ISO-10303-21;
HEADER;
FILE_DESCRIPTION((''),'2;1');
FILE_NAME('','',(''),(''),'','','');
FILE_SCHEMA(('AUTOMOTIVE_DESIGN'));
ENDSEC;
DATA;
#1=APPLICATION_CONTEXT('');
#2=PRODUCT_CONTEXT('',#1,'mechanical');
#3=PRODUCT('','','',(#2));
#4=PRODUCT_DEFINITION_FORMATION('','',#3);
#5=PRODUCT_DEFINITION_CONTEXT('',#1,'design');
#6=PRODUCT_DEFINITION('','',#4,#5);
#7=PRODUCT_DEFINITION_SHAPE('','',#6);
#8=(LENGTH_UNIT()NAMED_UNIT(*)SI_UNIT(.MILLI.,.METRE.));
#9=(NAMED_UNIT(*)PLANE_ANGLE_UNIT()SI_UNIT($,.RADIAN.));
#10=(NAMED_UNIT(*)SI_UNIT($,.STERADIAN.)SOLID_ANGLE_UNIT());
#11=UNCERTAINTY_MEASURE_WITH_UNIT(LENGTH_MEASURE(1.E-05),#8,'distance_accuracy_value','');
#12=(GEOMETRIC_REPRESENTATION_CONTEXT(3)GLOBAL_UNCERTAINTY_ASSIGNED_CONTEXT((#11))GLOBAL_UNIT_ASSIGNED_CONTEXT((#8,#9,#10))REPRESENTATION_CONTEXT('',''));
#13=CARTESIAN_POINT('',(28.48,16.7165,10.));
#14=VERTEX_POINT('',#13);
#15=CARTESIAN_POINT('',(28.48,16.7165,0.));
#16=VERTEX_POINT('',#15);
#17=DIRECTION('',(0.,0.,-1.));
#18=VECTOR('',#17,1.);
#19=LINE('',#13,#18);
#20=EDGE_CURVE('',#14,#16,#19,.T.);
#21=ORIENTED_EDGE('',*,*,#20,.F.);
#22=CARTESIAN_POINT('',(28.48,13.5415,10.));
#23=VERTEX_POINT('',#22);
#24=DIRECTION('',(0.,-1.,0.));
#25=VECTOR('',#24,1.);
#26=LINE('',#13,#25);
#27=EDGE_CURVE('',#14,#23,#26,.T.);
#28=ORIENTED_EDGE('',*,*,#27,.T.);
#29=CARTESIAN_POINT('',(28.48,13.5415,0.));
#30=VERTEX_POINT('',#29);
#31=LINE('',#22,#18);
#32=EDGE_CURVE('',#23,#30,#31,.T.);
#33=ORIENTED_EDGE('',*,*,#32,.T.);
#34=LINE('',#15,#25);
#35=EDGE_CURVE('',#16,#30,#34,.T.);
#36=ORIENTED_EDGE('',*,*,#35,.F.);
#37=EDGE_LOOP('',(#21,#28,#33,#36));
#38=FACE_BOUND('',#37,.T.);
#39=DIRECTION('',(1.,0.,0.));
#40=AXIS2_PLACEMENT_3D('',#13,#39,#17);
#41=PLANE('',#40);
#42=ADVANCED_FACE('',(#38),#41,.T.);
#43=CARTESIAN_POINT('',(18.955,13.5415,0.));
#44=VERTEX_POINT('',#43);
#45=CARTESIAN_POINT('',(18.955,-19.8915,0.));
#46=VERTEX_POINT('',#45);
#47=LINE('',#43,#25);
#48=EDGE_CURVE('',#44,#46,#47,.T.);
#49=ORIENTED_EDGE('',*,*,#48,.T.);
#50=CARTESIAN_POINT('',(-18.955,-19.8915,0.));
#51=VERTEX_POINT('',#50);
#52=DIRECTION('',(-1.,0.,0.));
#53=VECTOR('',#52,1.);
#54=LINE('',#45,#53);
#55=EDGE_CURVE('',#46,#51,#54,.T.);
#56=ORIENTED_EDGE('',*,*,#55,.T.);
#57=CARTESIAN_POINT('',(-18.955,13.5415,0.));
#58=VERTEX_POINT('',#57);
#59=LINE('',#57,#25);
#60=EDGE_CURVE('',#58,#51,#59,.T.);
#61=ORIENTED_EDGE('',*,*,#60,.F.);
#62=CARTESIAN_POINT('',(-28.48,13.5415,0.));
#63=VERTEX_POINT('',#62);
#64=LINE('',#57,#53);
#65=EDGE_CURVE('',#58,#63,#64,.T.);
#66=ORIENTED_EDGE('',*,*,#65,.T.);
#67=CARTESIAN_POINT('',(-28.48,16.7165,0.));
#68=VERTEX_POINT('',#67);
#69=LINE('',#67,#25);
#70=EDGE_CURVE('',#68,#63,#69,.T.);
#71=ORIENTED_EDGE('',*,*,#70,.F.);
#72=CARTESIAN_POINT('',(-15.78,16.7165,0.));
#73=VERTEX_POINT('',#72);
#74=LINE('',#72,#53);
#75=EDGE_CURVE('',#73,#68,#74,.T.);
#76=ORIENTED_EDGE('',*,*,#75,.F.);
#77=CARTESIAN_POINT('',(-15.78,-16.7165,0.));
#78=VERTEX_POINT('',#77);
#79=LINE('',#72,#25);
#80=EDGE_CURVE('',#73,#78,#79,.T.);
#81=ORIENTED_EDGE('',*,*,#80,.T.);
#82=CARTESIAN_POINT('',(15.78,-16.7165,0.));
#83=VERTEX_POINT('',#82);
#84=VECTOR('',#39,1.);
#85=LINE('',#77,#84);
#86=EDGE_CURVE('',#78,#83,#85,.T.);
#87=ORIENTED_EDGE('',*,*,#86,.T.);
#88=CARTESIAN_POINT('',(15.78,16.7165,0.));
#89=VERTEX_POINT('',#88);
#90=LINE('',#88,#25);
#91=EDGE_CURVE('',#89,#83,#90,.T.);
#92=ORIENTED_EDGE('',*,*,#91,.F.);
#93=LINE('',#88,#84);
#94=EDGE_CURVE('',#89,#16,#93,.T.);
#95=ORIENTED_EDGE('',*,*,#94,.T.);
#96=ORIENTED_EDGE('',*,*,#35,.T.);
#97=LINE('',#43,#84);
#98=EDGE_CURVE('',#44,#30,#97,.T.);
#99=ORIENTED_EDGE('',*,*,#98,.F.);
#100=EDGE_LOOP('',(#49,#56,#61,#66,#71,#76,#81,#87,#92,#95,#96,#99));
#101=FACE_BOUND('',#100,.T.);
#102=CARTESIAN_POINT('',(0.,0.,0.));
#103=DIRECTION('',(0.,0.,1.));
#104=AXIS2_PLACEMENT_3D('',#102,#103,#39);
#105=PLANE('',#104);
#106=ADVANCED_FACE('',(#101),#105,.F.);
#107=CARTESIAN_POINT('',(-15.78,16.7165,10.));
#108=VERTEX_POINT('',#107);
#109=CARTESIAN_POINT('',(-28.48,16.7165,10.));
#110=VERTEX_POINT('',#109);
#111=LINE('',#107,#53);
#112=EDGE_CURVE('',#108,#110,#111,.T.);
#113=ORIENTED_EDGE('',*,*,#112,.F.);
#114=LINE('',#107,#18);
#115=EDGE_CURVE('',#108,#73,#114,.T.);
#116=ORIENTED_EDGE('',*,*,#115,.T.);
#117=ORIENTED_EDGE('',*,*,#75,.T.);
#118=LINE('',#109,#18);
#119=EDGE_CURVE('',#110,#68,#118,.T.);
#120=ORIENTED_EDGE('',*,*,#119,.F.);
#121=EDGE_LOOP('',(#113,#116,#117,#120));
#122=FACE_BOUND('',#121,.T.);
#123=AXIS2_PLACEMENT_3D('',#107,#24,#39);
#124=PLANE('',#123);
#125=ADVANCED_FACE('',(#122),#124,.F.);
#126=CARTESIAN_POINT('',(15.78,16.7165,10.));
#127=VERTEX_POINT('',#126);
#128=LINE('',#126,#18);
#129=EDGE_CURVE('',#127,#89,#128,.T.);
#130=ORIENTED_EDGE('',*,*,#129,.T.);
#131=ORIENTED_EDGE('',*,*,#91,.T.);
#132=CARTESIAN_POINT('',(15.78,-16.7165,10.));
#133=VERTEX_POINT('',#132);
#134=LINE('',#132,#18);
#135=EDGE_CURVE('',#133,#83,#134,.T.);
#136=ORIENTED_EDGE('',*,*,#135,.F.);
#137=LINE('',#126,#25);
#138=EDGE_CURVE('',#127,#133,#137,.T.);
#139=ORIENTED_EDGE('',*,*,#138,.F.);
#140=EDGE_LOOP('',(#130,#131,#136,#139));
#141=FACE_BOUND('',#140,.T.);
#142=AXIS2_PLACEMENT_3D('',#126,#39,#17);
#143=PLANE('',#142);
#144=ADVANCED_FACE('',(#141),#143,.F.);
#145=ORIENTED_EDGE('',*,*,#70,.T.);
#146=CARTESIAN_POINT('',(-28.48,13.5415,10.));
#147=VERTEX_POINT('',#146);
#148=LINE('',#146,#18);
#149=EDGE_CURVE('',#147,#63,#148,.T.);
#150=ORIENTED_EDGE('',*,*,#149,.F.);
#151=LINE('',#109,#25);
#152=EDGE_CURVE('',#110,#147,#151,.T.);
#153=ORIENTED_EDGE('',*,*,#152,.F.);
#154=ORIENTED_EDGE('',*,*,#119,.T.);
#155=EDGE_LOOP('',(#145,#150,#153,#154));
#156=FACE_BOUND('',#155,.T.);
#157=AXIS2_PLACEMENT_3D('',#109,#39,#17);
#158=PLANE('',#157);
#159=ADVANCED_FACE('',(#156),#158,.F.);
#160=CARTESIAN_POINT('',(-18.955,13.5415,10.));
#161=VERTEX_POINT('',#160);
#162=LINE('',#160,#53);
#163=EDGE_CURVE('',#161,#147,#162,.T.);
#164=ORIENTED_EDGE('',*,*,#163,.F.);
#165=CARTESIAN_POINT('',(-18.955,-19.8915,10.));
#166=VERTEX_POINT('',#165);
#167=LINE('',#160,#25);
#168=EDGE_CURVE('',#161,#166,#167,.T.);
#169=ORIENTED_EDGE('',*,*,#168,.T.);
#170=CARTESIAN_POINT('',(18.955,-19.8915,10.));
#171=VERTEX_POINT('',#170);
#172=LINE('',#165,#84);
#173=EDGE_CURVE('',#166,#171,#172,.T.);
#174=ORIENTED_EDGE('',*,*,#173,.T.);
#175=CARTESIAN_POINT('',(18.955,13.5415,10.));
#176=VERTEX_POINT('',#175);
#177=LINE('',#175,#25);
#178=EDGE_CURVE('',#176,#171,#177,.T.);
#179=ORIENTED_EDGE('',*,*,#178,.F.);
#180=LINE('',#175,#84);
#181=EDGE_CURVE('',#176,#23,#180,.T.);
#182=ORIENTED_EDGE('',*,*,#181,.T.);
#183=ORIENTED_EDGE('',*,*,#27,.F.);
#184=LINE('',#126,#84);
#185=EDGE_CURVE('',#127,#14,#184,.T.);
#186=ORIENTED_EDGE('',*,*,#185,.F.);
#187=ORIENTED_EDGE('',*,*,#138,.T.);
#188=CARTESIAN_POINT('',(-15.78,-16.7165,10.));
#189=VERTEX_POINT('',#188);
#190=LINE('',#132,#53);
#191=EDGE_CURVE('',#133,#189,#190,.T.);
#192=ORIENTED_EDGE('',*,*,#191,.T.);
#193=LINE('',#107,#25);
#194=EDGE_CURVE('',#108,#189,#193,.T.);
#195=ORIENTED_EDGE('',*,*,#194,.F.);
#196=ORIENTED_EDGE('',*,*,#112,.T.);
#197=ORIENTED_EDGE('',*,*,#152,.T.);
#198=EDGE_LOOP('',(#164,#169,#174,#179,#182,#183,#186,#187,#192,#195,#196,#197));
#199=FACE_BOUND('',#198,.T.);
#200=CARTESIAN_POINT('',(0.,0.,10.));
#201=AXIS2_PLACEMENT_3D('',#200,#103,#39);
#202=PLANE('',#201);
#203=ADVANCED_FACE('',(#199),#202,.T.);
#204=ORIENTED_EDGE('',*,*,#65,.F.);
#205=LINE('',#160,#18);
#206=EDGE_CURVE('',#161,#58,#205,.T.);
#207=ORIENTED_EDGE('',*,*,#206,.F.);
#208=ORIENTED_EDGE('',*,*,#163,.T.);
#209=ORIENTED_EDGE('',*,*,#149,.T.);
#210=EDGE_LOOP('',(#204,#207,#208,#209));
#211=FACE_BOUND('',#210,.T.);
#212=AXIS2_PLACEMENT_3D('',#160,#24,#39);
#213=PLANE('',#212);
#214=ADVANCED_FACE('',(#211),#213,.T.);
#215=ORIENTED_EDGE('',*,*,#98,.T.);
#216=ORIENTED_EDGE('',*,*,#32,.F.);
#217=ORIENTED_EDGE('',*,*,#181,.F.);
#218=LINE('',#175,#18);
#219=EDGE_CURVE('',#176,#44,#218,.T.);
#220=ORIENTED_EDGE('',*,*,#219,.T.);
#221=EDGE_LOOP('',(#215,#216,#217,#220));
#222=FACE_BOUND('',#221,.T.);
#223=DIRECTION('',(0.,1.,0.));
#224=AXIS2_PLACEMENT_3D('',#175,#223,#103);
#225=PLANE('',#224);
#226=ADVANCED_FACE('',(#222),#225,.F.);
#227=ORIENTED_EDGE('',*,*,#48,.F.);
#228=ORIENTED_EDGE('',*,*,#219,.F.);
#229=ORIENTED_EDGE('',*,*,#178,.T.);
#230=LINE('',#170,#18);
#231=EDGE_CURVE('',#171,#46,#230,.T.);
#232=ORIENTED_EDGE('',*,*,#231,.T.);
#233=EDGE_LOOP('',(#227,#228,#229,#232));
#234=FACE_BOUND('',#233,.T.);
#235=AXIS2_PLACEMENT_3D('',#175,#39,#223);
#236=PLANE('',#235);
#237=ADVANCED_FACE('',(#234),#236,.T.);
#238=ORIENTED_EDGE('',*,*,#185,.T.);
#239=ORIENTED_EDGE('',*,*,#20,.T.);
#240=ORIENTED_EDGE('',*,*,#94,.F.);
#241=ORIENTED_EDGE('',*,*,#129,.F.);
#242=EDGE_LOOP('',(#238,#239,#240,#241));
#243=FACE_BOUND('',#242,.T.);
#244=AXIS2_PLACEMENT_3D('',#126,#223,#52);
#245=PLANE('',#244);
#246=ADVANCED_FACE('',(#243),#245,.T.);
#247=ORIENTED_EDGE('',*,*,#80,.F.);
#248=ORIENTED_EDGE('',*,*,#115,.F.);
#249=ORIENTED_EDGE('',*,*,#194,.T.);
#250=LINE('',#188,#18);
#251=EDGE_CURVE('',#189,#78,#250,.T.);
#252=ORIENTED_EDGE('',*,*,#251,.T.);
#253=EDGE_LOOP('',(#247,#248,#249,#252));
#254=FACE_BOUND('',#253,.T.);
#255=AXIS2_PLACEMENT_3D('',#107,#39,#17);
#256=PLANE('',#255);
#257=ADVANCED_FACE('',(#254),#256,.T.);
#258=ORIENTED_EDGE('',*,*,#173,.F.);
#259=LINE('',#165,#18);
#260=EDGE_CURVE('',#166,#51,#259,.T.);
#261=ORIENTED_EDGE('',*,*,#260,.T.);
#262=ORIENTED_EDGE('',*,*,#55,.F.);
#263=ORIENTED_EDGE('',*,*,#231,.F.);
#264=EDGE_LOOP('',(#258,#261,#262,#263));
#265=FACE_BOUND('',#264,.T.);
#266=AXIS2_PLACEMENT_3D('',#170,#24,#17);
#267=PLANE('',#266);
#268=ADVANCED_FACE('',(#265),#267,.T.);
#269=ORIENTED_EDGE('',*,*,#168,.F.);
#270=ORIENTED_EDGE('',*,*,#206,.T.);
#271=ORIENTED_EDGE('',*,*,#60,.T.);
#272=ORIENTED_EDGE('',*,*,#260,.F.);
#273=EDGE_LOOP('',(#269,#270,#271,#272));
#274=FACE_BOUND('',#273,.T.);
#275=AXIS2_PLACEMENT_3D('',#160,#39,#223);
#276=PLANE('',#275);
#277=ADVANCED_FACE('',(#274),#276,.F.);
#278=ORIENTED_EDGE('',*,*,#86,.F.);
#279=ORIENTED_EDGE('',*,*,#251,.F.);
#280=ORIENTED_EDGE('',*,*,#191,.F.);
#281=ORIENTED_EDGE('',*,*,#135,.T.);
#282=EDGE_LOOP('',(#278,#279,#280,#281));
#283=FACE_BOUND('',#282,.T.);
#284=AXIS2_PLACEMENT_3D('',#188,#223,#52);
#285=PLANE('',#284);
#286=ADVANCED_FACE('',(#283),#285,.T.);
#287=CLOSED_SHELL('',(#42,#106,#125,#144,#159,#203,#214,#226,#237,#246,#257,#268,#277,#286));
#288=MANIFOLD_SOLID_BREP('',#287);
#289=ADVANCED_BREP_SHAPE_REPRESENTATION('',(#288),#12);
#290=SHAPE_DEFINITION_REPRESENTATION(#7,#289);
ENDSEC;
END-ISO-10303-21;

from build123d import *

# Parameters (mm, degrees)
BOSS_EXTRUDE1_DEPTH = 10


with BuildPart() as part:
    # Sketch1 → Boss-Extrude1 (new body)
    with BuildSketch(Plane.XY):
        Polygon((-18.955, 13.5415), (-18.955, -19.8915), (0, -19.8915), (18.955, -19.8915), (18.955, 13.5415), (28.48, 13.5415), (28.48, 16.7165), (15.78, 16.7165), (15.78, -16.7165), (0, -16.7165), (-15.78, -16.7165), (-15.78, 16.7165), (-28.48, 16.7165), (-28.48, 13.5415), align=None)
    extrude(amount=BOSS_EXTRUDE1_DEPTH)


solid = part.part
